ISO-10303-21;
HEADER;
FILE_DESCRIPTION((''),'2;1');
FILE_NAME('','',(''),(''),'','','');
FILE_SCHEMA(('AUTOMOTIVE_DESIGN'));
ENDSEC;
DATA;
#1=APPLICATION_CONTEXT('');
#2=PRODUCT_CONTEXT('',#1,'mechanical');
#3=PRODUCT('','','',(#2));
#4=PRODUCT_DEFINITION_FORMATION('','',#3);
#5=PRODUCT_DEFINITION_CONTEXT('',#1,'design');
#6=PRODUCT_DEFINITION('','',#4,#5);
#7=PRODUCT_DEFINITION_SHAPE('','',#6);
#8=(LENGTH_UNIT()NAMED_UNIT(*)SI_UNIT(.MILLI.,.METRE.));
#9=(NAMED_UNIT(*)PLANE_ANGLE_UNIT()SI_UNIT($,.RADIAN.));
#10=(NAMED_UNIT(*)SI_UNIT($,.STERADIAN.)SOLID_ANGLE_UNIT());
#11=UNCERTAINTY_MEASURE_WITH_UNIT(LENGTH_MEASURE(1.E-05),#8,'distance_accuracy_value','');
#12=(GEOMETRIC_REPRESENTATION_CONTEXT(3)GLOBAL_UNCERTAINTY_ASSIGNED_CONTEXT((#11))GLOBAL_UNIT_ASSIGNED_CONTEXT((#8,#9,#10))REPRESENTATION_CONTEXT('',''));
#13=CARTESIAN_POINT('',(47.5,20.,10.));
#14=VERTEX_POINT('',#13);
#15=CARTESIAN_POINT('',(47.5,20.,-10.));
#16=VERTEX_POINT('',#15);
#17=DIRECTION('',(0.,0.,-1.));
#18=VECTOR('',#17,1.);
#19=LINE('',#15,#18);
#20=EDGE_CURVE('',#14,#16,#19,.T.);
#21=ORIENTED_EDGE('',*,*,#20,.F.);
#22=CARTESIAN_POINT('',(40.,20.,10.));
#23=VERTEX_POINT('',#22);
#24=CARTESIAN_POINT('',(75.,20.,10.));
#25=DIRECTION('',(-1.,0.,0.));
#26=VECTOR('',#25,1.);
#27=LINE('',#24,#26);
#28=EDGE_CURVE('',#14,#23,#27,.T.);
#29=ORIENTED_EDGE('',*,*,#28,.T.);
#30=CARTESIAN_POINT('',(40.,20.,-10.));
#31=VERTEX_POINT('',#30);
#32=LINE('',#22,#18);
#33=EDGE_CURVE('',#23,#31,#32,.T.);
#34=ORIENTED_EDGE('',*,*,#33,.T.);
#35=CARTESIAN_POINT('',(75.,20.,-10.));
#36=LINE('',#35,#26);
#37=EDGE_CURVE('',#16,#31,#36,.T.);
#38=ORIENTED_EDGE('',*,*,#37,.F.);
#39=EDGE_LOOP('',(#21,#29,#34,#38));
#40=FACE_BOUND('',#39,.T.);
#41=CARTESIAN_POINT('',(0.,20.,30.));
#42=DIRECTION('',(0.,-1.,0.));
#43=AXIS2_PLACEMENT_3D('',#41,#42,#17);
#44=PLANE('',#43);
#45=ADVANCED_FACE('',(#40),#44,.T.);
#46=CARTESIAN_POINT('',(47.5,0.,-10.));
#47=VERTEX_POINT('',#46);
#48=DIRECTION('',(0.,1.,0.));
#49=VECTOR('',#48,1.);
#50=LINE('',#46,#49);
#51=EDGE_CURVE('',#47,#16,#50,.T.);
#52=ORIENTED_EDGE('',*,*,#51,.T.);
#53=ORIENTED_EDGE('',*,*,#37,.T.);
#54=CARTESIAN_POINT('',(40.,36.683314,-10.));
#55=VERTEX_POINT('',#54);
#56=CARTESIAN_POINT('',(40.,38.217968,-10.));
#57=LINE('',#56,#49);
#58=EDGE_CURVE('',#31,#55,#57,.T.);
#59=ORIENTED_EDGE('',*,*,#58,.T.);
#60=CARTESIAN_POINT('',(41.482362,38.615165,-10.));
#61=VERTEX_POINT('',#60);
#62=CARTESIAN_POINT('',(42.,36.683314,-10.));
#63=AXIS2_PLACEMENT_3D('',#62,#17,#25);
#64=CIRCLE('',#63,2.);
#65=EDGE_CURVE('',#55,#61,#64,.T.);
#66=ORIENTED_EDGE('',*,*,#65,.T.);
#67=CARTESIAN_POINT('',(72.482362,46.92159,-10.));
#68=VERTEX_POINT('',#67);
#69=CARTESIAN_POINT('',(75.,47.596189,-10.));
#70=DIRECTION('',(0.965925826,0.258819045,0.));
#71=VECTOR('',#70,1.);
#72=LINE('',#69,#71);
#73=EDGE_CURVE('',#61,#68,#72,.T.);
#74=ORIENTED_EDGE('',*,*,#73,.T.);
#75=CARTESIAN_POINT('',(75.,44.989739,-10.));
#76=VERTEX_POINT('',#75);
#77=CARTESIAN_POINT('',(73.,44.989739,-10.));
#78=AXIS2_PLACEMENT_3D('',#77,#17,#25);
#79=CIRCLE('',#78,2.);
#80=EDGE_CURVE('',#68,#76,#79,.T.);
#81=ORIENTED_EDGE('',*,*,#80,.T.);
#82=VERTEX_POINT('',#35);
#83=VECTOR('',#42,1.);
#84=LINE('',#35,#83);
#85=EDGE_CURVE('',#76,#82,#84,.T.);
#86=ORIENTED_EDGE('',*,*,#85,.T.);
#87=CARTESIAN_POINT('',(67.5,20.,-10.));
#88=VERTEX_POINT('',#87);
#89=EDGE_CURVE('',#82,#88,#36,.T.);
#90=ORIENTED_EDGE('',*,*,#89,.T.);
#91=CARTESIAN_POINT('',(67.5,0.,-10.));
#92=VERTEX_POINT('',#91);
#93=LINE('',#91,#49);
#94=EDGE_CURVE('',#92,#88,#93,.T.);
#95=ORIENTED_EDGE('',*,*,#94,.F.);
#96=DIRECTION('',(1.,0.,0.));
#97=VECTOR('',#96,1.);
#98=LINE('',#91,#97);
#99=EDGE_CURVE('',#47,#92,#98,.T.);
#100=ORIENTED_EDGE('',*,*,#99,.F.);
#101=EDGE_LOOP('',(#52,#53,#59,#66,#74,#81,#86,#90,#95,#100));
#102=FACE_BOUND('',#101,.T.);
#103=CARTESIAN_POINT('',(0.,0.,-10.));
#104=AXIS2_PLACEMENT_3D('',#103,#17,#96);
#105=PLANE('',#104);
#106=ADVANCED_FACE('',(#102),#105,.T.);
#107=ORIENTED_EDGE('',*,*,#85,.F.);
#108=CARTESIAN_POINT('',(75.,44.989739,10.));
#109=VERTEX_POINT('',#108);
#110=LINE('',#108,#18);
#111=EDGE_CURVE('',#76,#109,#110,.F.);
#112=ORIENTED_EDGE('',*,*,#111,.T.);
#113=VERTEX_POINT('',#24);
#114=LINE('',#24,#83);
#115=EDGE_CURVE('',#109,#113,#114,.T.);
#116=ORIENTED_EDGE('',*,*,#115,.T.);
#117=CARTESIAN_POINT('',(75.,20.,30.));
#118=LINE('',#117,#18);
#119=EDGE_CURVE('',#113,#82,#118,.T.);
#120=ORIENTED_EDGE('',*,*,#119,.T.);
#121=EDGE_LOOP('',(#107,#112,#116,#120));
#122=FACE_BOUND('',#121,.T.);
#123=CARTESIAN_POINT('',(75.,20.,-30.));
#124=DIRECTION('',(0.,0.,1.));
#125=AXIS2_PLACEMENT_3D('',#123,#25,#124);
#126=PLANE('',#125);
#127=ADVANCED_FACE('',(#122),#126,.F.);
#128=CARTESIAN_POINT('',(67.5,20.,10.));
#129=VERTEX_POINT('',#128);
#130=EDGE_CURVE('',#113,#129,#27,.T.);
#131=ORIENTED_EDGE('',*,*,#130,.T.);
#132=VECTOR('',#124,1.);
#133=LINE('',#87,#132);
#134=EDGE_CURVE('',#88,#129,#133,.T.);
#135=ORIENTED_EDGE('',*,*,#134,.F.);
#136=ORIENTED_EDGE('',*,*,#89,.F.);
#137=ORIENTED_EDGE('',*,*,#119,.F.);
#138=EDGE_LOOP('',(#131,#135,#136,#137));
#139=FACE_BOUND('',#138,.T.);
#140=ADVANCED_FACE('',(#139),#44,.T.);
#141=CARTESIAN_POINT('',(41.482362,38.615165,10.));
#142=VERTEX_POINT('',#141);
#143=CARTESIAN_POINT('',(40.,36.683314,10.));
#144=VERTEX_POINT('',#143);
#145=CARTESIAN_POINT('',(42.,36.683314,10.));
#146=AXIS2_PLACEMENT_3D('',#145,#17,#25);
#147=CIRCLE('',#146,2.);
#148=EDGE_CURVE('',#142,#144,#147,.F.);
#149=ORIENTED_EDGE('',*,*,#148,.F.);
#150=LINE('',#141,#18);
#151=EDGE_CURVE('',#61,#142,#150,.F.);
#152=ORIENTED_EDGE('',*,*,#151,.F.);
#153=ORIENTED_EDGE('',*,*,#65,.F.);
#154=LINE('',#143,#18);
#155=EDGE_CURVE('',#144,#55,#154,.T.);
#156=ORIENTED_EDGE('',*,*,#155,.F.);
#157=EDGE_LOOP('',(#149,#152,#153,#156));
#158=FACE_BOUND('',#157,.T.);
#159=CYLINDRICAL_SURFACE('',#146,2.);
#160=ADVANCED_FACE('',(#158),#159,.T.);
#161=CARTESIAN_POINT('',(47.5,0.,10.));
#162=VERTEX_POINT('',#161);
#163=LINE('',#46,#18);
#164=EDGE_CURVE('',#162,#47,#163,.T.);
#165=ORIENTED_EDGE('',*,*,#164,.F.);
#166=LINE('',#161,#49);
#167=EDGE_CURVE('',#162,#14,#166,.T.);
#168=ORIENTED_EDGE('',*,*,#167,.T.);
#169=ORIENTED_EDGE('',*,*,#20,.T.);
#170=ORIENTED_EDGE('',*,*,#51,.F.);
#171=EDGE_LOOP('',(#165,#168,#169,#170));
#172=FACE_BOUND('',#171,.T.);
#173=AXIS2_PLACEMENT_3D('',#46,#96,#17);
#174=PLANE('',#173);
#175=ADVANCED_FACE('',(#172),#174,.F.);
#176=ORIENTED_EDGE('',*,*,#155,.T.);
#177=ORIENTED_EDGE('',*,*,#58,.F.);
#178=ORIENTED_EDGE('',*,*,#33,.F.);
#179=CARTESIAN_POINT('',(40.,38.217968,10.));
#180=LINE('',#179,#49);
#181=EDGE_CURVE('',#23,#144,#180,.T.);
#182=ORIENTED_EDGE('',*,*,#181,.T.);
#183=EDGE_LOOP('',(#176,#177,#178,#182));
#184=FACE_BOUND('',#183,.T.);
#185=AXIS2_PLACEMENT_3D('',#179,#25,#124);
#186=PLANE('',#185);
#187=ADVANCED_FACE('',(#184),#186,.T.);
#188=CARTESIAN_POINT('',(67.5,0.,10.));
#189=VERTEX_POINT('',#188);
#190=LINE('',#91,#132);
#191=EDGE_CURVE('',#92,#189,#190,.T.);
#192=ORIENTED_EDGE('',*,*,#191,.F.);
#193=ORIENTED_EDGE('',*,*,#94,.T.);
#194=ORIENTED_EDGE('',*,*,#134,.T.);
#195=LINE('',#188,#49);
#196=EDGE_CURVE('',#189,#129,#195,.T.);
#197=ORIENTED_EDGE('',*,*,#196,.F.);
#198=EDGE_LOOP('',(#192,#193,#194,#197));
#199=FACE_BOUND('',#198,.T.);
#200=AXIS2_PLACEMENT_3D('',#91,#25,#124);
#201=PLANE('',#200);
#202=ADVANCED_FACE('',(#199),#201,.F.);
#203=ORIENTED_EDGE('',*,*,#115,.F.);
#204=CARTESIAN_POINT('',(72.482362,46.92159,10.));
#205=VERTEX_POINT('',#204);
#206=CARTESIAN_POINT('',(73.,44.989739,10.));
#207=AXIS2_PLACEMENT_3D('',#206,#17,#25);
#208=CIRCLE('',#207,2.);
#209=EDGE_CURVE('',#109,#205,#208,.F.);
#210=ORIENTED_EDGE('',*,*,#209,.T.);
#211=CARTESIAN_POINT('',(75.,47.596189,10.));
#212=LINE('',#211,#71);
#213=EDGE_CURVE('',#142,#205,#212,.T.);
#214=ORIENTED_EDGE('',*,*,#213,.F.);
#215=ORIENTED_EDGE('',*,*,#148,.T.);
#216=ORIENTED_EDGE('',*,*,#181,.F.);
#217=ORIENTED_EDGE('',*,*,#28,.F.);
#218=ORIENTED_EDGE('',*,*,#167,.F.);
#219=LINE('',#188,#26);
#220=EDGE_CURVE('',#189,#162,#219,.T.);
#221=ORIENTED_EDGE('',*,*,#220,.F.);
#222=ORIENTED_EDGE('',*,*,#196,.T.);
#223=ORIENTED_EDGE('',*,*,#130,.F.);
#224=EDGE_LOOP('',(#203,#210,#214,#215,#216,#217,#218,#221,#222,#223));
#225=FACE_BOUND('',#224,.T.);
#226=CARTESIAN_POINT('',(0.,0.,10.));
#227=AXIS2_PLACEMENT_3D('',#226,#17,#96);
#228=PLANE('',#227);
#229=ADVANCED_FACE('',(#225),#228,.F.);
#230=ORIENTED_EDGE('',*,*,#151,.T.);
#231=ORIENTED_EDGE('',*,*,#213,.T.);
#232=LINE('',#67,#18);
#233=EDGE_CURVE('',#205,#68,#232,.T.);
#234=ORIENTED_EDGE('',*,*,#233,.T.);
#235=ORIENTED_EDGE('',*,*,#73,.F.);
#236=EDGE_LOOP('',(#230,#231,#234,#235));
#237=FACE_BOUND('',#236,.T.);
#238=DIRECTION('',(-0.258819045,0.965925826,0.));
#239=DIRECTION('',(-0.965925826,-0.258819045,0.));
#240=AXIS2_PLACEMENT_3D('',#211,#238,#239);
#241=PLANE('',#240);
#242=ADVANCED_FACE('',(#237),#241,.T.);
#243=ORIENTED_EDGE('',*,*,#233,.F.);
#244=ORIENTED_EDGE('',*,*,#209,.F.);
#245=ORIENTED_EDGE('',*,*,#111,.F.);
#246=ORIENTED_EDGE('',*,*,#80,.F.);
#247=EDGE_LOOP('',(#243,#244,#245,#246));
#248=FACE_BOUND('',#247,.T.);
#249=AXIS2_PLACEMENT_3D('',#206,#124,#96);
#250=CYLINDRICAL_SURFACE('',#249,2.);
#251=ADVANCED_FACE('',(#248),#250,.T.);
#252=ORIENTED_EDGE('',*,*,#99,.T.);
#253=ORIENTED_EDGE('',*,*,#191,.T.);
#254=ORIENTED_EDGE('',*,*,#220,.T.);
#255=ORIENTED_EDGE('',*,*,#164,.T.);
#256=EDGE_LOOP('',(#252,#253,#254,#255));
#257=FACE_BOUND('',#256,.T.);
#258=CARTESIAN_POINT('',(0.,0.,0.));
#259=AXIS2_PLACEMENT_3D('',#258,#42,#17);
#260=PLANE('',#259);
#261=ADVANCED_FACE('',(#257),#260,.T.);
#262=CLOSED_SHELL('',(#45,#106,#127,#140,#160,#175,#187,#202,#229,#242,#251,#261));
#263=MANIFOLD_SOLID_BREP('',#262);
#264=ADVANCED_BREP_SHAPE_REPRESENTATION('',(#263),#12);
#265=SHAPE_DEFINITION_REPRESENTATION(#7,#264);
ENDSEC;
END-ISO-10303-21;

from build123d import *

# Parameters (mm, degrees)
SKETCH2_W           = 150
SKETCH2_H           = 60
EXTRUDE1_DEPTH      = 20
SKETCH3_W           = 20.4
SKETCH3_H           = 20.4
EXTRUDE2_DEPTH      = 20
EXTRUDE3_DEPTH      = 10
EXTRUDE4_DEPTH      = 98.418669917
EXTRUDE4_DEPTH_BACK = 98.418669917
SKETCH5_W           = 75
SKETCH5_H           = 27.596189432
SKETCH6_W           = 20
SKETCH6_H           = 20
EXTRUDE5_DEPTH      = 20
FILLET1_R           = 2


with BuildPart() as part:
    # Sketch2 → Extrude1 (new body)
    with BuildSketch(Plane(origin=(0, 0, 0), x_dir=(1, 0, 0), z_dir=(0, 1, 0))):
        Rectangle(SKETCH2_W, SKETCH2_H)
    extrude(amount=EXTRUDE1_DEPTH)

    # Sketch3 → Extrude2 (cut)
    with BuildSketch(Plane(origin=(0, 20, 0), x_dir=(1, 0, 0), z_dir=(0, 1, 0))):
        with Locations((0, 12.9)):
            Rectangle(SKETCH3_W, SKETCH3_H)
        with Locations((0, -12.9)):
            Rectangle(SKETCH3_W, SKETCH3_H)
    extrude(amount=-EXTRUDE2_DEPTH, mode=Mode.SUBTRACT)

    # Sketch4 → Extrude3 (add, symmetric)
    with BuildSketch(Plane.XY):
        Polygon((-75, 20), (-75, 47.596189432), (-40, 38.217967697), (-40, 20), align=None)
    extrude3 = extrude(amount=EXTRUDE3_DEPTH, both=True)

    # Mirror1: Extrude3 across plane
    add(extrude3.mirror(Plane(origin=(0, 0, 0), x_dir=(0, 0, 1), z_dir=(1, 0, 0))))

    # Sketch5 → Extrude4 (cut, two sides: drawn at the far end of the back side and taken through both)
    with BuildSketch(Plane(origin=(0, 0, -10), x_dir=(-1, 0, 0), z_dir=(0, 0, -1)).offset(-EXTRUDE4_DEPTH_BACK)):
        Polygon((-40, 20), (-75, 20), (-75, 0), (75, 0), (75, 20), (0, 20), align=None)
        with Locations((37.5, 33.798094716)):
            Rectangle(SKETCH5_W, SKETCH5_H)
    extrude(amount=EXTRUDE4_DEPTH + EXTRUDE4_DEPTH_BACK, mode=Mode.SUBTRACT)

    # Sketch6 → Extrude5 (add)
    with BuildSketch(Plane.XZ.offset(-20)):
        with Locations((57.5, 0)):
            Rectangle(SKETCH6_W, SKETCH6_H)
    extrude(amount=EXTRUDE5_DEPTH)

    # Fillet1
    fillet1_edges = [part.edges().sort_by_distance(p)[0] for p in [
        (75, 47.596189432, 0),
        (40, 38.217967697, 0),
    ]]
    fillet(fillet1_edges, radius=FILLET1_R)


solid = part.part
